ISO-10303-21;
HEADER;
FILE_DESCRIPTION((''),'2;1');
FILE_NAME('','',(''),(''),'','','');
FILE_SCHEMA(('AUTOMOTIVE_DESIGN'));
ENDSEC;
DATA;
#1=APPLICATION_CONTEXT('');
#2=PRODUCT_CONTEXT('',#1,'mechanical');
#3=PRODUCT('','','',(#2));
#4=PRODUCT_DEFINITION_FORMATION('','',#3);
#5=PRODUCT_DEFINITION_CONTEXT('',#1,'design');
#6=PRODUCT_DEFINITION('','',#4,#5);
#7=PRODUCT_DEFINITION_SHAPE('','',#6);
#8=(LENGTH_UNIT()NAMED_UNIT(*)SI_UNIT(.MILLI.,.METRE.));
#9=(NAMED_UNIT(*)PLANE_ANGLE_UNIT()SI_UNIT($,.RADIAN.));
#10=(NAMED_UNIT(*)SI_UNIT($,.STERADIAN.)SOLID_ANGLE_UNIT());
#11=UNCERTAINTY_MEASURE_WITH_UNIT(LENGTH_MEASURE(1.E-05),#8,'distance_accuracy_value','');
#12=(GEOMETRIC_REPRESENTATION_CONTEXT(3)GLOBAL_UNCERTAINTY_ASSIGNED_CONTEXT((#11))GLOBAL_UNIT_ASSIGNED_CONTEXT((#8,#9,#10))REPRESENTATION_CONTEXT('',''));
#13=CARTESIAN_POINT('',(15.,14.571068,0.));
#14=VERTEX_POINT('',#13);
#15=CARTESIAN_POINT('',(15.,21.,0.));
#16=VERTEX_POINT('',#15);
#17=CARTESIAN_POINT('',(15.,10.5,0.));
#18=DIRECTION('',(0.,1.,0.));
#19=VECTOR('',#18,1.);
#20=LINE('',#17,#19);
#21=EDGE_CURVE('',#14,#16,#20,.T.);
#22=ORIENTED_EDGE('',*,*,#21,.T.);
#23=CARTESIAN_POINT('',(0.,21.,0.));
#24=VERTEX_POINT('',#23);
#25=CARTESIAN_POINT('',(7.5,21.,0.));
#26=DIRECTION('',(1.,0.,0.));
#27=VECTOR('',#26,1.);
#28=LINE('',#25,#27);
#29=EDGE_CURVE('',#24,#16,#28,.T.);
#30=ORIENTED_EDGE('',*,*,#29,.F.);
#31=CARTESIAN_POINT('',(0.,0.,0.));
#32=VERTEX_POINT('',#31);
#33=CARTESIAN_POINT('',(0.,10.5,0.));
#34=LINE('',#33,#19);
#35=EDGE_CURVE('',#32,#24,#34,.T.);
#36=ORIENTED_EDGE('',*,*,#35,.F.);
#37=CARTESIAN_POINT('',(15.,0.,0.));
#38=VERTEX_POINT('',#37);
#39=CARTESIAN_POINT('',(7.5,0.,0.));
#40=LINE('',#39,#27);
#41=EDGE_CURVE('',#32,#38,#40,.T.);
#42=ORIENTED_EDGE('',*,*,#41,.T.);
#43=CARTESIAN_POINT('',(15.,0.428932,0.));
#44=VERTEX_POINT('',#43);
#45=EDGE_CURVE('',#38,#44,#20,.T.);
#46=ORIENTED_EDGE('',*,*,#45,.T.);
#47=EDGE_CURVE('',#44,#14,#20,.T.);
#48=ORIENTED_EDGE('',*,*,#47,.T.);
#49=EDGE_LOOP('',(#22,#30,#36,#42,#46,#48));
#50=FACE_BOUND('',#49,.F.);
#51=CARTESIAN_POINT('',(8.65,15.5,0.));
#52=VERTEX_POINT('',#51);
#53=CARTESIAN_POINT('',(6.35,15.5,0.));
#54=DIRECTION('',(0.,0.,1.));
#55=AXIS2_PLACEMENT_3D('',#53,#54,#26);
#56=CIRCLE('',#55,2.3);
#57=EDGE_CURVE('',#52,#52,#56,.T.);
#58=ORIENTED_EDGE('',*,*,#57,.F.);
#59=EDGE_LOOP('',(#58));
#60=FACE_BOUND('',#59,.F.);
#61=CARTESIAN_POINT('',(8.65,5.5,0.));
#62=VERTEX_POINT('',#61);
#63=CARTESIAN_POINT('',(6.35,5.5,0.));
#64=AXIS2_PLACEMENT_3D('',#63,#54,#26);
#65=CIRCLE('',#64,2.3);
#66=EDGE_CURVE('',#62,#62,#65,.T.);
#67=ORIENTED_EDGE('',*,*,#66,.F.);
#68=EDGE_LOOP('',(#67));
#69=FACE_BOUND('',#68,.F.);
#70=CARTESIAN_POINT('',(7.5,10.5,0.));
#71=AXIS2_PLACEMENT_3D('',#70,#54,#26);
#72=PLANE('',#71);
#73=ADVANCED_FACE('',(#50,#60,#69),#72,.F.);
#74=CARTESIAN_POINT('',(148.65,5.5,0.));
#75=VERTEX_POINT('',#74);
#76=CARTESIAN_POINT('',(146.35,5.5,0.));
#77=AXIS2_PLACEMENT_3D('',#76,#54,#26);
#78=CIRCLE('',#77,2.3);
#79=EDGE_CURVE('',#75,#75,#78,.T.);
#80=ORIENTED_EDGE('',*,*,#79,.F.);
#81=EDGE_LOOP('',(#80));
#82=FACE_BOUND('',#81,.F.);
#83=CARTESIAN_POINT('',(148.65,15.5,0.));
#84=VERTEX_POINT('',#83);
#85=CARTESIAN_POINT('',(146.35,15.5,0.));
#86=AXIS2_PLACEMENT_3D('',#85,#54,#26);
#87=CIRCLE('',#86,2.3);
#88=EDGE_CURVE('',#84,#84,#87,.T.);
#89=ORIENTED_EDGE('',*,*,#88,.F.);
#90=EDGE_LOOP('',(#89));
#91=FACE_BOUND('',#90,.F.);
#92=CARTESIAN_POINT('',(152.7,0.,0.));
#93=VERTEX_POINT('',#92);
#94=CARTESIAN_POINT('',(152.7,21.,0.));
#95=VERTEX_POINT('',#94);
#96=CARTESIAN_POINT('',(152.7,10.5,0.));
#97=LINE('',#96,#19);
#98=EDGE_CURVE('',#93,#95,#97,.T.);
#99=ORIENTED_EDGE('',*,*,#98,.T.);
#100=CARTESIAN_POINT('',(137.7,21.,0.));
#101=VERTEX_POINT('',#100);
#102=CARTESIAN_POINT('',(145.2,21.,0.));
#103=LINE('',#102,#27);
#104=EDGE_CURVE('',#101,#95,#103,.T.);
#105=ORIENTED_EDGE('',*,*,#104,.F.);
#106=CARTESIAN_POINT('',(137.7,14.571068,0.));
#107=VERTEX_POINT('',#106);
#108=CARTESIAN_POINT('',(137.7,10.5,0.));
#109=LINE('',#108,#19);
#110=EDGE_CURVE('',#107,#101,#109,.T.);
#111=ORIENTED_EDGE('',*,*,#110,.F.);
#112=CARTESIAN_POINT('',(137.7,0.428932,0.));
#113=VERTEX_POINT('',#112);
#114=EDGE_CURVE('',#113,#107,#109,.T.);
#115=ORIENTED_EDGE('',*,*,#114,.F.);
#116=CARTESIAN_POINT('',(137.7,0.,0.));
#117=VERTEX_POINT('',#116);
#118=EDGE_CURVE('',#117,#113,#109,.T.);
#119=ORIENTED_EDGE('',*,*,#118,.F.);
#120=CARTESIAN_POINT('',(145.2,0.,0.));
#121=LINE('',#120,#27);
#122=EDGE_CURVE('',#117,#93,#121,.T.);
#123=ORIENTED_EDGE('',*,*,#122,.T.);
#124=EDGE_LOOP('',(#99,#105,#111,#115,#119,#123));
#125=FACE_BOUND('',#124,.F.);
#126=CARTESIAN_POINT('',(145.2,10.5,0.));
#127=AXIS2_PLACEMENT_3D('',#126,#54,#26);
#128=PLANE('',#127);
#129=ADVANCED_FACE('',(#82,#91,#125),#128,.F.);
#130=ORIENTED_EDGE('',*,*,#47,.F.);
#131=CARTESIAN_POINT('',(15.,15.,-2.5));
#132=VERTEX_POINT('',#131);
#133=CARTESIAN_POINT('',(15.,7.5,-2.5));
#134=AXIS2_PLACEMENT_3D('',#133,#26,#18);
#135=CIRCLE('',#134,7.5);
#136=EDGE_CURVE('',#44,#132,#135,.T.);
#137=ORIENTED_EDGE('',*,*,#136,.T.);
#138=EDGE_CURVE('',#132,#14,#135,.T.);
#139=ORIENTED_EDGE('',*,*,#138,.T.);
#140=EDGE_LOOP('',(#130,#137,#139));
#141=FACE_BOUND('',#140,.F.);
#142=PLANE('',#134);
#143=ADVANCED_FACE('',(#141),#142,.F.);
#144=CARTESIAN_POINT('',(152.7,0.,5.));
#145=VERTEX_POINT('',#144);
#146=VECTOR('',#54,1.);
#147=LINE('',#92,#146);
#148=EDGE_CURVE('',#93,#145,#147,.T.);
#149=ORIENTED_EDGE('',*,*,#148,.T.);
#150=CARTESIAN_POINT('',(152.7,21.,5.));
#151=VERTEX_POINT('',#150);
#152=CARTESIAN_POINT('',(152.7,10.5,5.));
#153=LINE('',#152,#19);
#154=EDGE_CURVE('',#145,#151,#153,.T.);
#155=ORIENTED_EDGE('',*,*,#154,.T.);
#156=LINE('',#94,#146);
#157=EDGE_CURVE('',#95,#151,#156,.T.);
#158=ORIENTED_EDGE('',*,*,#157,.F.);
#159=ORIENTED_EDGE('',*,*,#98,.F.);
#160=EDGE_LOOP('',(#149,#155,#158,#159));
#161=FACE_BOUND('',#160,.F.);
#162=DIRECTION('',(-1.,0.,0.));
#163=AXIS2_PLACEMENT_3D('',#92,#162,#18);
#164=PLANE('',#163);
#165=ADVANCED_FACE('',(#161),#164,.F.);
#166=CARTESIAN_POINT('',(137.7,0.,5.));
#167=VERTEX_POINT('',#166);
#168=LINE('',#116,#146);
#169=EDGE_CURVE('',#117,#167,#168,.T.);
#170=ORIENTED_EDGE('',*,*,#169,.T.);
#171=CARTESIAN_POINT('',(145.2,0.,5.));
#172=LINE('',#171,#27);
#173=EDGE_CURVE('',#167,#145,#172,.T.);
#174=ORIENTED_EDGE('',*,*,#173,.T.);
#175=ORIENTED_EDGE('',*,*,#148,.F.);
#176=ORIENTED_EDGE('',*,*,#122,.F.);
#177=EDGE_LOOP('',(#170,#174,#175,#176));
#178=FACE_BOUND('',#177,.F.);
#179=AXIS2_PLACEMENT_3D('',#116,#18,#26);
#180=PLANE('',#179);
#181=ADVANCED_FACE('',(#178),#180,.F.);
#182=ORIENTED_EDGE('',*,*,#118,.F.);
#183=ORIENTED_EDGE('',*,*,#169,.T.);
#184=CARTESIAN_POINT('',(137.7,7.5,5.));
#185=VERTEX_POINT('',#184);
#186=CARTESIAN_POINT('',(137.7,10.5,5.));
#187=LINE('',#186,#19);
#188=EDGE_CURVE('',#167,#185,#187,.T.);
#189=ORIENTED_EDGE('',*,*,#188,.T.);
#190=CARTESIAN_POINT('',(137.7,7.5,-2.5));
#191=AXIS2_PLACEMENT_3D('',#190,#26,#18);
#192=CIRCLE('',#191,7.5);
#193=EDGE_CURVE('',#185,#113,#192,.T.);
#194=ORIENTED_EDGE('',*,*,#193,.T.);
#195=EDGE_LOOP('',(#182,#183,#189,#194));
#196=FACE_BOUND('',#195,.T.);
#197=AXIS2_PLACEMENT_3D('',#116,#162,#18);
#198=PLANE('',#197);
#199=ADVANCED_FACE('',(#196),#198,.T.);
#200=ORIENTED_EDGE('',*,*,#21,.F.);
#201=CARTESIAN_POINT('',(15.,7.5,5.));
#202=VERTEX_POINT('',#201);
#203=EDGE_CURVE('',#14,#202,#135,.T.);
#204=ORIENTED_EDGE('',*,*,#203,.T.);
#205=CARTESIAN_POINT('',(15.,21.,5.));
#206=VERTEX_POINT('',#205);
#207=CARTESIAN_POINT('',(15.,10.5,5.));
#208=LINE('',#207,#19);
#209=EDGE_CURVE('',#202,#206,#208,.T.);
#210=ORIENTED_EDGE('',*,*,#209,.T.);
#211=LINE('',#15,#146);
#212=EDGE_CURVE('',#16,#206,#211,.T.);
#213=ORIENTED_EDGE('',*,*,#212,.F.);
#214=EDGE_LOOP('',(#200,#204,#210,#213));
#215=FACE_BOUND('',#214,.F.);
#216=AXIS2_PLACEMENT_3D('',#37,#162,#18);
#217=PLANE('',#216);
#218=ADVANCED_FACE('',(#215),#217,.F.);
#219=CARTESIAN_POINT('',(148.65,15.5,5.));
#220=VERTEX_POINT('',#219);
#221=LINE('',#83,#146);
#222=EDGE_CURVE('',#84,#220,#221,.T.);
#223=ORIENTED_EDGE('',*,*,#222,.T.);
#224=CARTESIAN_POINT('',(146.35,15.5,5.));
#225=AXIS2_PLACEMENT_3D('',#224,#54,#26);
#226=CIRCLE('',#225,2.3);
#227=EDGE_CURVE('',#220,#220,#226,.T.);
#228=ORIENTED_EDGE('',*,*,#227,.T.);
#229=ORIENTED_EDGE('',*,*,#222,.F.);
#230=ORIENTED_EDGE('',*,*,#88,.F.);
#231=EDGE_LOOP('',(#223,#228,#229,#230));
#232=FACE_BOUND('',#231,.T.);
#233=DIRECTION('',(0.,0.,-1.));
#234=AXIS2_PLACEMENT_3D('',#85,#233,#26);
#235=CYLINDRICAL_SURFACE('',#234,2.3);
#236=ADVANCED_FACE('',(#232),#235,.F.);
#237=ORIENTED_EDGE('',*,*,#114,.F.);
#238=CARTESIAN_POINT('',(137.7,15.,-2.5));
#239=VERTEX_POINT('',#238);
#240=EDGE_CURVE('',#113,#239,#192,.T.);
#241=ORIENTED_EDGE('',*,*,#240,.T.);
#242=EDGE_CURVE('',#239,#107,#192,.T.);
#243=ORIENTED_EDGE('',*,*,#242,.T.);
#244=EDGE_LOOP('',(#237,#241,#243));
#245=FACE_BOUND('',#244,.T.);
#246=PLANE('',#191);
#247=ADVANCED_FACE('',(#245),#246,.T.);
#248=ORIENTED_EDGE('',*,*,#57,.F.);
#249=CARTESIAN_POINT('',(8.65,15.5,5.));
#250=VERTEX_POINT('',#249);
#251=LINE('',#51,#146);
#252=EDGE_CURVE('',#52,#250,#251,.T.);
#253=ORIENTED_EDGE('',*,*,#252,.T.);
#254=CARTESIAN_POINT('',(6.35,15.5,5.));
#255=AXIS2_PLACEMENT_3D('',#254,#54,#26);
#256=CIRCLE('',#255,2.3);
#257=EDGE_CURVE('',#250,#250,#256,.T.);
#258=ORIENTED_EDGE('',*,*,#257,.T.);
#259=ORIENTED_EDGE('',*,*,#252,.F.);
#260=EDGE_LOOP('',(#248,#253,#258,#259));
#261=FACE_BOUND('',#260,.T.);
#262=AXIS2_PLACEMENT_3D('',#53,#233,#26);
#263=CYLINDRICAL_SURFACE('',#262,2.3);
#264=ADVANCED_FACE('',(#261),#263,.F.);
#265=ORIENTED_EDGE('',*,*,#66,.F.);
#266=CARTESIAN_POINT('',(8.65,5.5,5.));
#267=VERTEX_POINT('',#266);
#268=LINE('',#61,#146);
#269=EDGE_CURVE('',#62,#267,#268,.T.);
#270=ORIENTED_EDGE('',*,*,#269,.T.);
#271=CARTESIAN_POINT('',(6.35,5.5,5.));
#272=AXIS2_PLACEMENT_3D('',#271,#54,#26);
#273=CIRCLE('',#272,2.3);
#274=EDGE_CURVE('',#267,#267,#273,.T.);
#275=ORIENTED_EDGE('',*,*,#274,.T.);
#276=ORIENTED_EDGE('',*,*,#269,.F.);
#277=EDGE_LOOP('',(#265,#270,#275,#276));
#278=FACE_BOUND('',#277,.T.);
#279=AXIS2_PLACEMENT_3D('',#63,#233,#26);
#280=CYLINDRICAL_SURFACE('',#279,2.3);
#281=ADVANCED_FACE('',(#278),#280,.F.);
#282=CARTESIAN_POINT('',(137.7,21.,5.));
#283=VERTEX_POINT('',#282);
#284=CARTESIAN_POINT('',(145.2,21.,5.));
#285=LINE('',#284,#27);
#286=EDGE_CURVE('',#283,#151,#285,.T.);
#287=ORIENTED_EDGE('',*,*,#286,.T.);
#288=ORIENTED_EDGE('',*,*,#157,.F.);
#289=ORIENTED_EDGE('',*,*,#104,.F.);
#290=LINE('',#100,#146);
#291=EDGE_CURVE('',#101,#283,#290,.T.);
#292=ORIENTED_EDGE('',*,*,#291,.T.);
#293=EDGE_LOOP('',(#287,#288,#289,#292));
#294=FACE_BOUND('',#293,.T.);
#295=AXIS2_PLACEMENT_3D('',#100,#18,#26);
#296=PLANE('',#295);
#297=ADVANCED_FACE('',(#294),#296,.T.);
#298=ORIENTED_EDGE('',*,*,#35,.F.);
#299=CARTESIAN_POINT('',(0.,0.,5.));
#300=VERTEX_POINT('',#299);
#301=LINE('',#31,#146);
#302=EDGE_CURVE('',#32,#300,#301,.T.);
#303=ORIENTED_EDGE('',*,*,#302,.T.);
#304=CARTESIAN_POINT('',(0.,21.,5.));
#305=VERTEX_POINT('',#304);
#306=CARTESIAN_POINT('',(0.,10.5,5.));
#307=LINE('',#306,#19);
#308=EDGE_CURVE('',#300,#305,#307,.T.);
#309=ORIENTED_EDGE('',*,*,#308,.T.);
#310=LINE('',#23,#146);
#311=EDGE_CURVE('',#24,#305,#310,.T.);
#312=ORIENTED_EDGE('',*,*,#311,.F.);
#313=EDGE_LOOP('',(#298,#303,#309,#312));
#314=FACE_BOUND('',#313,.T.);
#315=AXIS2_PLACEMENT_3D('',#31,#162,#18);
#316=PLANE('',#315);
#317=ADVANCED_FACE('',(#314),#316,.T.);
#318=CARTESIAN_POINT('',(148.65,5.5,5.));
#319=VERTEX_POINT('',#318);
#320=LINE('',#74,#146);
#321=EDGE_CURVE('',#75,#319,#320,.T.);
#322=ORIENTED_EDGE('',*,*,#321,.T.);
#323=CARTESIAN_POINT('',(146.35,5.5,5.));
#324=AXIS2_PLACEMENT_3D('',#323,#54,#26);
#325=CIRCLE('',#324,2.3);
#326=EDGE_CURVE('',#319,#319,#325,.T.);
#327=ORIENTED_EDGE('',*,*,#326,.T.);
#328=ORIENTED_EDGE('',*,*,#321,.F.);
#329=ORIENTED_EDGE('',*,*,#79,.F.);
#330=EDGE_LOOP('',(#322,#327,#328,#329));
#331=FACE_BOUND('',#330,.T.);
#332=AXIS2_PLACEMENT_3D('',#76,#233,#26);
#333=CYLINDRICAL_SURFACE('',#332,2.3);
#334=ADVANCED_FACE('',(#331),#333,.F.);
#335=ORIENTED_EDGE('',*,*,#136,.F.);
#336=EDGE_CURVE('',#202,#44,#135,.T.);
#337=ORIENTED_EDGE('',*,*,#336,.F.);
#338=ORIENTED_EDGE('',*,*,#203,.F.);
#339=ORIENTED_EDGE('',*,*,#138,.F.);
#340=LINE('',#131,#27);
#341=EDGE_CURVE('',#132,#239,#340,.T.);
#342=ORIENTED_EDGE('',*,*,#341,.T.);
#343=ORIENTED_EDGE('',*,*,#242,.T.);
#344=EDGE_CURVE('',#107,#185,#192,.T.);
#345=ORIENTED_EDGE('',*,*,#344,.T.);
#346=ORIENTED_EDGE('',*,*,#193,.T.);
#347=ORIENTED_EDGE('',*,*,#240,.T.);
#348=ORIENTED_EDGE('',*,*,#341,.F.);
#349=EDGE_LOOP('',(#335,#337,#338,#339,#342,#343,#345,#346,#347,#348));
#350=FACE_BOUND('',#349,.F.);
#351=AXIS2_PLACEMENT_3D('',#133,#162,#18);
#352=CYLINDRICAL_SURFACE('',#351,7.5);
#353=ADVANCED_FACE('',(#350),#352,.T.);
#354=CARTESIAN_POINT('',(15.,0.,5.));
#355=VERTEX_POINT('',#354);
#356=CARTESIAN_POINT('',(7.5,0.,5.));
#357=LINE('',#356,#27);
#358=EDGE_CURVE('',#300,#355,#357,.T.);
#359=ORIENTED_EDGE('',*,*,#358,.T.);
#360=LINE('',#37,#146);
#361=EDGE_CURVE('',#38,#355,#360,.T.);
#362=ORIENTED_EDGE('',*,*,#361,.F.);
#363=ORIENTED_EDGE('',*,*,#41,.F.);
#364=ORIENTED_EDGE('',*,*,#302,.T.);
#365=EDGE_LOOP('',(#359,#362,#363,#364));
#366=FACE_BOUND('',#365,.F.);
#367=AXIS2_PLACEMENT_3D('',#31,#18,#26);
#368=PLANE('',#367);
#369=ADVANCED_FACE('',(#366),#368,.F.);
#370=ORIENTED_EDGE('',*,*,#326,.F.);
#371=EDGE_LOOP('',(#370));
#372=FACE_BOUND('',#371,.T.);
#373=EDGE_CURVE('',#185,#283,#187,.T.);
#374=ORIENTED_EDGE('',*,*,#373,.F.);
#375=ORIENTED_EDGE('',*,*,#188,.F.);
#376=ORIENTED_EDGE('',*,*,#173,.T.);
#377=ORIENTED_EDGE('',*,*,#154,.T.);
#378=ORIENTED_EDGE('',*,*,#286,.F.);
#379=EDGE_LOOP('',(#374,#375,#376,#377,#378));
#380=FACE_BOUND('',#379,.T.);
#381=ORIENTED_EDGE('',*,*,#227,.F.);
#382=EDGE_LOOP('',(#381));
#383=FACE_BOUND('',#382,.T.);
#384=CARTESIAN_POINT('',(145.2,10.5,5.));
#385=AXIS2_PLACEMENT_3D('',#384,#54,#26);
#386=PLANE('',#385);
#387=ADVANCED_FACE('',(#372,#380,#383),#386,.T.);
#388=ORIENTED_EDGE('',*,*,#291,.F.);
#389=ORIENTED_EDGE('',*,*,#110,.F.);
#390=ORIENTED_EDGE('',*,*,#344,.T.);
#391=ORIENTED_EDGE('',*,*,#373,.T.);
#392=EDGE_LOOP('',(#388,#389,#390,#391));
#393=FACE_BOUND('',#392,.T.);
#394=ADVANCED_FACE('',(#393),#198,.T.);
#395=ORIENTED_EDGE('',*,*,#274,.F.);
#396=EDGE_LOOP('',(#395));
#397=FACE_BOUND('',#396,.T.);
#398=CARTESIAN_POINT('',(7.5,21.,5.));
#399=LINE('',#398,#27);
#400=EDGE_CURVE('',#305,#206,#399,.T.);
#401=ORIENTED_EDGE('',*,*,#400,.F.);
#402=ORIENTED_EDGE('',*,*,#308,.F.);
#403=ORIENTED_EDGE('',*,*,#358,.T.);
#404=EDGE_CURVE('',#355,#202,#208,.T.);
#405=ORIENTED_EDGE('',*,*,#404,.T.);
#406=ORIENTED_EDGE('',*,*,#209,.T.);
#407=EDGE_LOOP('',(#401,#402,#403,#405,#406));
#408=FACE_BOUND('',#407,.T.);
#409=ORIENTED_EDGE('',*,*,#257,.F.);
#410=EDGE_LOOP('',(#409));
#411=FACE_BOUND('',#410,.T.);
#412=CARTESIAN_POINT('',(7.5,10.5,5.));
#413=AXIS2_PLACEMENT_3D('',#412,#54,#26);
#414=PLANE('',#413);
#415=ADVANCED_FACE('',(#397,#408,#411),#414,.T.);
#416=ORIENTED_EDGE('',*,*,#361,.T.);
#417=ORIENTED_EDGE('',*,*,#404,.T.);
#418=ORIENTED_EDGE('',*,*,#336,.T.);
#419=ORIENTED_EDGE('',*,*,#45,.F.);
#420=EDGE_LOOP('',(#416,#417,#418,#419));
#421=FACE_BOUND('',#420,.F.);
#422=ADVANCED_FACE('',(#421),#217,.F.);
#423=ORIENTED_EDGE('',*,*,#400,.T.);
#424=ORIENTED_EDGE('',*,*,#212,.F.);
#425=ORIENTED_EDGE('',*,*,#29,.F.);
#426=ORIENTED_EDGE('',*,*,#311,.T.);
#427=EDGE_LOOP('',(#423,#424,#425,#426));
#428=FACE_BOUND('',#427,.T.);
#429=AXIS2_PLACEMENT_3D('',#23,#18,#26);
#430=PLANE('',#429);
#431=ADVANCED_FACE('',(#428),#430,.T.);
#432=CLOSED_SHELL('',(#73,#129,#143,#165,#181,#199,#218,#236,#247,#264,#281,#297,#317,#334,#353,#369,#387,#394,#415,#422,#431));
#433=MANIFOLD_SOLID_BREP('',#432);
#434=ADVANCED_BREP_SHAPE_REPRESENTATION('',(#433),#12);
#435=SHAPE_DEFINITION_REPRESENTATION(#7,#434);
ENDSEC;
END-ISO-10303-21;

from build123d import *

# Parameters (mm, degrees)
SKETCH_W     = 15
SKETCH_H     = 21
SKETCH_R     = 2.3
PAD_DEPTH    = 5
SKETCH001_R  = 7.5
PAD001_DEPTH = 122.7
SKETCH002_W  = 15
SKETCH002_H  = 21
SKETCH002_R  = 2.3
PAD002_DEPTH = 5


with BuildPart() as part:
    # Sketch → Pad (new body)
    with BuildSketch(Plane.XY):
        with Locations((7.5, 10.5)):
            Rectangle(SKETCH_W, SKETCH_H)
        with Locations((6.35, 5.5)):
            Circle(SKETCH_R, mode=Mode.SUBTRACT)
        with Locations((6.35, 15.5)):
            Circle(SKETCH_R, mode=Mode.SUBTRACT)
    extrude(amount=PAD_DEPTH)

    # Sketch001 (on Face2 of Pad) → Pad001 (join)
    with BuildSketch(Plane.YZ.offset(15)):
        with Locations((7.5, -2.5)):
            Circle(SKETCH001_R)
    extrude(amount=PAD001_DEPTH)

    # Sketch002 → Pad002 (join)
    with BuildSketch(Plane.XY):
        with Locations((145.2, 10.5)):
            Rectangle(SKETCH002_W, SKETCH002_H)
        with Locations((146.35, 5.5)):
            Circle(SKETCH002_R, mode=Mode.SUBTRACT)
        with Locations((146.35, 15.5)):
            Circle(SKETCH002_R, mode=Mode.SUBTRACT)
    extrude(amount=PAD002_DEPTH)


solid = part.part
